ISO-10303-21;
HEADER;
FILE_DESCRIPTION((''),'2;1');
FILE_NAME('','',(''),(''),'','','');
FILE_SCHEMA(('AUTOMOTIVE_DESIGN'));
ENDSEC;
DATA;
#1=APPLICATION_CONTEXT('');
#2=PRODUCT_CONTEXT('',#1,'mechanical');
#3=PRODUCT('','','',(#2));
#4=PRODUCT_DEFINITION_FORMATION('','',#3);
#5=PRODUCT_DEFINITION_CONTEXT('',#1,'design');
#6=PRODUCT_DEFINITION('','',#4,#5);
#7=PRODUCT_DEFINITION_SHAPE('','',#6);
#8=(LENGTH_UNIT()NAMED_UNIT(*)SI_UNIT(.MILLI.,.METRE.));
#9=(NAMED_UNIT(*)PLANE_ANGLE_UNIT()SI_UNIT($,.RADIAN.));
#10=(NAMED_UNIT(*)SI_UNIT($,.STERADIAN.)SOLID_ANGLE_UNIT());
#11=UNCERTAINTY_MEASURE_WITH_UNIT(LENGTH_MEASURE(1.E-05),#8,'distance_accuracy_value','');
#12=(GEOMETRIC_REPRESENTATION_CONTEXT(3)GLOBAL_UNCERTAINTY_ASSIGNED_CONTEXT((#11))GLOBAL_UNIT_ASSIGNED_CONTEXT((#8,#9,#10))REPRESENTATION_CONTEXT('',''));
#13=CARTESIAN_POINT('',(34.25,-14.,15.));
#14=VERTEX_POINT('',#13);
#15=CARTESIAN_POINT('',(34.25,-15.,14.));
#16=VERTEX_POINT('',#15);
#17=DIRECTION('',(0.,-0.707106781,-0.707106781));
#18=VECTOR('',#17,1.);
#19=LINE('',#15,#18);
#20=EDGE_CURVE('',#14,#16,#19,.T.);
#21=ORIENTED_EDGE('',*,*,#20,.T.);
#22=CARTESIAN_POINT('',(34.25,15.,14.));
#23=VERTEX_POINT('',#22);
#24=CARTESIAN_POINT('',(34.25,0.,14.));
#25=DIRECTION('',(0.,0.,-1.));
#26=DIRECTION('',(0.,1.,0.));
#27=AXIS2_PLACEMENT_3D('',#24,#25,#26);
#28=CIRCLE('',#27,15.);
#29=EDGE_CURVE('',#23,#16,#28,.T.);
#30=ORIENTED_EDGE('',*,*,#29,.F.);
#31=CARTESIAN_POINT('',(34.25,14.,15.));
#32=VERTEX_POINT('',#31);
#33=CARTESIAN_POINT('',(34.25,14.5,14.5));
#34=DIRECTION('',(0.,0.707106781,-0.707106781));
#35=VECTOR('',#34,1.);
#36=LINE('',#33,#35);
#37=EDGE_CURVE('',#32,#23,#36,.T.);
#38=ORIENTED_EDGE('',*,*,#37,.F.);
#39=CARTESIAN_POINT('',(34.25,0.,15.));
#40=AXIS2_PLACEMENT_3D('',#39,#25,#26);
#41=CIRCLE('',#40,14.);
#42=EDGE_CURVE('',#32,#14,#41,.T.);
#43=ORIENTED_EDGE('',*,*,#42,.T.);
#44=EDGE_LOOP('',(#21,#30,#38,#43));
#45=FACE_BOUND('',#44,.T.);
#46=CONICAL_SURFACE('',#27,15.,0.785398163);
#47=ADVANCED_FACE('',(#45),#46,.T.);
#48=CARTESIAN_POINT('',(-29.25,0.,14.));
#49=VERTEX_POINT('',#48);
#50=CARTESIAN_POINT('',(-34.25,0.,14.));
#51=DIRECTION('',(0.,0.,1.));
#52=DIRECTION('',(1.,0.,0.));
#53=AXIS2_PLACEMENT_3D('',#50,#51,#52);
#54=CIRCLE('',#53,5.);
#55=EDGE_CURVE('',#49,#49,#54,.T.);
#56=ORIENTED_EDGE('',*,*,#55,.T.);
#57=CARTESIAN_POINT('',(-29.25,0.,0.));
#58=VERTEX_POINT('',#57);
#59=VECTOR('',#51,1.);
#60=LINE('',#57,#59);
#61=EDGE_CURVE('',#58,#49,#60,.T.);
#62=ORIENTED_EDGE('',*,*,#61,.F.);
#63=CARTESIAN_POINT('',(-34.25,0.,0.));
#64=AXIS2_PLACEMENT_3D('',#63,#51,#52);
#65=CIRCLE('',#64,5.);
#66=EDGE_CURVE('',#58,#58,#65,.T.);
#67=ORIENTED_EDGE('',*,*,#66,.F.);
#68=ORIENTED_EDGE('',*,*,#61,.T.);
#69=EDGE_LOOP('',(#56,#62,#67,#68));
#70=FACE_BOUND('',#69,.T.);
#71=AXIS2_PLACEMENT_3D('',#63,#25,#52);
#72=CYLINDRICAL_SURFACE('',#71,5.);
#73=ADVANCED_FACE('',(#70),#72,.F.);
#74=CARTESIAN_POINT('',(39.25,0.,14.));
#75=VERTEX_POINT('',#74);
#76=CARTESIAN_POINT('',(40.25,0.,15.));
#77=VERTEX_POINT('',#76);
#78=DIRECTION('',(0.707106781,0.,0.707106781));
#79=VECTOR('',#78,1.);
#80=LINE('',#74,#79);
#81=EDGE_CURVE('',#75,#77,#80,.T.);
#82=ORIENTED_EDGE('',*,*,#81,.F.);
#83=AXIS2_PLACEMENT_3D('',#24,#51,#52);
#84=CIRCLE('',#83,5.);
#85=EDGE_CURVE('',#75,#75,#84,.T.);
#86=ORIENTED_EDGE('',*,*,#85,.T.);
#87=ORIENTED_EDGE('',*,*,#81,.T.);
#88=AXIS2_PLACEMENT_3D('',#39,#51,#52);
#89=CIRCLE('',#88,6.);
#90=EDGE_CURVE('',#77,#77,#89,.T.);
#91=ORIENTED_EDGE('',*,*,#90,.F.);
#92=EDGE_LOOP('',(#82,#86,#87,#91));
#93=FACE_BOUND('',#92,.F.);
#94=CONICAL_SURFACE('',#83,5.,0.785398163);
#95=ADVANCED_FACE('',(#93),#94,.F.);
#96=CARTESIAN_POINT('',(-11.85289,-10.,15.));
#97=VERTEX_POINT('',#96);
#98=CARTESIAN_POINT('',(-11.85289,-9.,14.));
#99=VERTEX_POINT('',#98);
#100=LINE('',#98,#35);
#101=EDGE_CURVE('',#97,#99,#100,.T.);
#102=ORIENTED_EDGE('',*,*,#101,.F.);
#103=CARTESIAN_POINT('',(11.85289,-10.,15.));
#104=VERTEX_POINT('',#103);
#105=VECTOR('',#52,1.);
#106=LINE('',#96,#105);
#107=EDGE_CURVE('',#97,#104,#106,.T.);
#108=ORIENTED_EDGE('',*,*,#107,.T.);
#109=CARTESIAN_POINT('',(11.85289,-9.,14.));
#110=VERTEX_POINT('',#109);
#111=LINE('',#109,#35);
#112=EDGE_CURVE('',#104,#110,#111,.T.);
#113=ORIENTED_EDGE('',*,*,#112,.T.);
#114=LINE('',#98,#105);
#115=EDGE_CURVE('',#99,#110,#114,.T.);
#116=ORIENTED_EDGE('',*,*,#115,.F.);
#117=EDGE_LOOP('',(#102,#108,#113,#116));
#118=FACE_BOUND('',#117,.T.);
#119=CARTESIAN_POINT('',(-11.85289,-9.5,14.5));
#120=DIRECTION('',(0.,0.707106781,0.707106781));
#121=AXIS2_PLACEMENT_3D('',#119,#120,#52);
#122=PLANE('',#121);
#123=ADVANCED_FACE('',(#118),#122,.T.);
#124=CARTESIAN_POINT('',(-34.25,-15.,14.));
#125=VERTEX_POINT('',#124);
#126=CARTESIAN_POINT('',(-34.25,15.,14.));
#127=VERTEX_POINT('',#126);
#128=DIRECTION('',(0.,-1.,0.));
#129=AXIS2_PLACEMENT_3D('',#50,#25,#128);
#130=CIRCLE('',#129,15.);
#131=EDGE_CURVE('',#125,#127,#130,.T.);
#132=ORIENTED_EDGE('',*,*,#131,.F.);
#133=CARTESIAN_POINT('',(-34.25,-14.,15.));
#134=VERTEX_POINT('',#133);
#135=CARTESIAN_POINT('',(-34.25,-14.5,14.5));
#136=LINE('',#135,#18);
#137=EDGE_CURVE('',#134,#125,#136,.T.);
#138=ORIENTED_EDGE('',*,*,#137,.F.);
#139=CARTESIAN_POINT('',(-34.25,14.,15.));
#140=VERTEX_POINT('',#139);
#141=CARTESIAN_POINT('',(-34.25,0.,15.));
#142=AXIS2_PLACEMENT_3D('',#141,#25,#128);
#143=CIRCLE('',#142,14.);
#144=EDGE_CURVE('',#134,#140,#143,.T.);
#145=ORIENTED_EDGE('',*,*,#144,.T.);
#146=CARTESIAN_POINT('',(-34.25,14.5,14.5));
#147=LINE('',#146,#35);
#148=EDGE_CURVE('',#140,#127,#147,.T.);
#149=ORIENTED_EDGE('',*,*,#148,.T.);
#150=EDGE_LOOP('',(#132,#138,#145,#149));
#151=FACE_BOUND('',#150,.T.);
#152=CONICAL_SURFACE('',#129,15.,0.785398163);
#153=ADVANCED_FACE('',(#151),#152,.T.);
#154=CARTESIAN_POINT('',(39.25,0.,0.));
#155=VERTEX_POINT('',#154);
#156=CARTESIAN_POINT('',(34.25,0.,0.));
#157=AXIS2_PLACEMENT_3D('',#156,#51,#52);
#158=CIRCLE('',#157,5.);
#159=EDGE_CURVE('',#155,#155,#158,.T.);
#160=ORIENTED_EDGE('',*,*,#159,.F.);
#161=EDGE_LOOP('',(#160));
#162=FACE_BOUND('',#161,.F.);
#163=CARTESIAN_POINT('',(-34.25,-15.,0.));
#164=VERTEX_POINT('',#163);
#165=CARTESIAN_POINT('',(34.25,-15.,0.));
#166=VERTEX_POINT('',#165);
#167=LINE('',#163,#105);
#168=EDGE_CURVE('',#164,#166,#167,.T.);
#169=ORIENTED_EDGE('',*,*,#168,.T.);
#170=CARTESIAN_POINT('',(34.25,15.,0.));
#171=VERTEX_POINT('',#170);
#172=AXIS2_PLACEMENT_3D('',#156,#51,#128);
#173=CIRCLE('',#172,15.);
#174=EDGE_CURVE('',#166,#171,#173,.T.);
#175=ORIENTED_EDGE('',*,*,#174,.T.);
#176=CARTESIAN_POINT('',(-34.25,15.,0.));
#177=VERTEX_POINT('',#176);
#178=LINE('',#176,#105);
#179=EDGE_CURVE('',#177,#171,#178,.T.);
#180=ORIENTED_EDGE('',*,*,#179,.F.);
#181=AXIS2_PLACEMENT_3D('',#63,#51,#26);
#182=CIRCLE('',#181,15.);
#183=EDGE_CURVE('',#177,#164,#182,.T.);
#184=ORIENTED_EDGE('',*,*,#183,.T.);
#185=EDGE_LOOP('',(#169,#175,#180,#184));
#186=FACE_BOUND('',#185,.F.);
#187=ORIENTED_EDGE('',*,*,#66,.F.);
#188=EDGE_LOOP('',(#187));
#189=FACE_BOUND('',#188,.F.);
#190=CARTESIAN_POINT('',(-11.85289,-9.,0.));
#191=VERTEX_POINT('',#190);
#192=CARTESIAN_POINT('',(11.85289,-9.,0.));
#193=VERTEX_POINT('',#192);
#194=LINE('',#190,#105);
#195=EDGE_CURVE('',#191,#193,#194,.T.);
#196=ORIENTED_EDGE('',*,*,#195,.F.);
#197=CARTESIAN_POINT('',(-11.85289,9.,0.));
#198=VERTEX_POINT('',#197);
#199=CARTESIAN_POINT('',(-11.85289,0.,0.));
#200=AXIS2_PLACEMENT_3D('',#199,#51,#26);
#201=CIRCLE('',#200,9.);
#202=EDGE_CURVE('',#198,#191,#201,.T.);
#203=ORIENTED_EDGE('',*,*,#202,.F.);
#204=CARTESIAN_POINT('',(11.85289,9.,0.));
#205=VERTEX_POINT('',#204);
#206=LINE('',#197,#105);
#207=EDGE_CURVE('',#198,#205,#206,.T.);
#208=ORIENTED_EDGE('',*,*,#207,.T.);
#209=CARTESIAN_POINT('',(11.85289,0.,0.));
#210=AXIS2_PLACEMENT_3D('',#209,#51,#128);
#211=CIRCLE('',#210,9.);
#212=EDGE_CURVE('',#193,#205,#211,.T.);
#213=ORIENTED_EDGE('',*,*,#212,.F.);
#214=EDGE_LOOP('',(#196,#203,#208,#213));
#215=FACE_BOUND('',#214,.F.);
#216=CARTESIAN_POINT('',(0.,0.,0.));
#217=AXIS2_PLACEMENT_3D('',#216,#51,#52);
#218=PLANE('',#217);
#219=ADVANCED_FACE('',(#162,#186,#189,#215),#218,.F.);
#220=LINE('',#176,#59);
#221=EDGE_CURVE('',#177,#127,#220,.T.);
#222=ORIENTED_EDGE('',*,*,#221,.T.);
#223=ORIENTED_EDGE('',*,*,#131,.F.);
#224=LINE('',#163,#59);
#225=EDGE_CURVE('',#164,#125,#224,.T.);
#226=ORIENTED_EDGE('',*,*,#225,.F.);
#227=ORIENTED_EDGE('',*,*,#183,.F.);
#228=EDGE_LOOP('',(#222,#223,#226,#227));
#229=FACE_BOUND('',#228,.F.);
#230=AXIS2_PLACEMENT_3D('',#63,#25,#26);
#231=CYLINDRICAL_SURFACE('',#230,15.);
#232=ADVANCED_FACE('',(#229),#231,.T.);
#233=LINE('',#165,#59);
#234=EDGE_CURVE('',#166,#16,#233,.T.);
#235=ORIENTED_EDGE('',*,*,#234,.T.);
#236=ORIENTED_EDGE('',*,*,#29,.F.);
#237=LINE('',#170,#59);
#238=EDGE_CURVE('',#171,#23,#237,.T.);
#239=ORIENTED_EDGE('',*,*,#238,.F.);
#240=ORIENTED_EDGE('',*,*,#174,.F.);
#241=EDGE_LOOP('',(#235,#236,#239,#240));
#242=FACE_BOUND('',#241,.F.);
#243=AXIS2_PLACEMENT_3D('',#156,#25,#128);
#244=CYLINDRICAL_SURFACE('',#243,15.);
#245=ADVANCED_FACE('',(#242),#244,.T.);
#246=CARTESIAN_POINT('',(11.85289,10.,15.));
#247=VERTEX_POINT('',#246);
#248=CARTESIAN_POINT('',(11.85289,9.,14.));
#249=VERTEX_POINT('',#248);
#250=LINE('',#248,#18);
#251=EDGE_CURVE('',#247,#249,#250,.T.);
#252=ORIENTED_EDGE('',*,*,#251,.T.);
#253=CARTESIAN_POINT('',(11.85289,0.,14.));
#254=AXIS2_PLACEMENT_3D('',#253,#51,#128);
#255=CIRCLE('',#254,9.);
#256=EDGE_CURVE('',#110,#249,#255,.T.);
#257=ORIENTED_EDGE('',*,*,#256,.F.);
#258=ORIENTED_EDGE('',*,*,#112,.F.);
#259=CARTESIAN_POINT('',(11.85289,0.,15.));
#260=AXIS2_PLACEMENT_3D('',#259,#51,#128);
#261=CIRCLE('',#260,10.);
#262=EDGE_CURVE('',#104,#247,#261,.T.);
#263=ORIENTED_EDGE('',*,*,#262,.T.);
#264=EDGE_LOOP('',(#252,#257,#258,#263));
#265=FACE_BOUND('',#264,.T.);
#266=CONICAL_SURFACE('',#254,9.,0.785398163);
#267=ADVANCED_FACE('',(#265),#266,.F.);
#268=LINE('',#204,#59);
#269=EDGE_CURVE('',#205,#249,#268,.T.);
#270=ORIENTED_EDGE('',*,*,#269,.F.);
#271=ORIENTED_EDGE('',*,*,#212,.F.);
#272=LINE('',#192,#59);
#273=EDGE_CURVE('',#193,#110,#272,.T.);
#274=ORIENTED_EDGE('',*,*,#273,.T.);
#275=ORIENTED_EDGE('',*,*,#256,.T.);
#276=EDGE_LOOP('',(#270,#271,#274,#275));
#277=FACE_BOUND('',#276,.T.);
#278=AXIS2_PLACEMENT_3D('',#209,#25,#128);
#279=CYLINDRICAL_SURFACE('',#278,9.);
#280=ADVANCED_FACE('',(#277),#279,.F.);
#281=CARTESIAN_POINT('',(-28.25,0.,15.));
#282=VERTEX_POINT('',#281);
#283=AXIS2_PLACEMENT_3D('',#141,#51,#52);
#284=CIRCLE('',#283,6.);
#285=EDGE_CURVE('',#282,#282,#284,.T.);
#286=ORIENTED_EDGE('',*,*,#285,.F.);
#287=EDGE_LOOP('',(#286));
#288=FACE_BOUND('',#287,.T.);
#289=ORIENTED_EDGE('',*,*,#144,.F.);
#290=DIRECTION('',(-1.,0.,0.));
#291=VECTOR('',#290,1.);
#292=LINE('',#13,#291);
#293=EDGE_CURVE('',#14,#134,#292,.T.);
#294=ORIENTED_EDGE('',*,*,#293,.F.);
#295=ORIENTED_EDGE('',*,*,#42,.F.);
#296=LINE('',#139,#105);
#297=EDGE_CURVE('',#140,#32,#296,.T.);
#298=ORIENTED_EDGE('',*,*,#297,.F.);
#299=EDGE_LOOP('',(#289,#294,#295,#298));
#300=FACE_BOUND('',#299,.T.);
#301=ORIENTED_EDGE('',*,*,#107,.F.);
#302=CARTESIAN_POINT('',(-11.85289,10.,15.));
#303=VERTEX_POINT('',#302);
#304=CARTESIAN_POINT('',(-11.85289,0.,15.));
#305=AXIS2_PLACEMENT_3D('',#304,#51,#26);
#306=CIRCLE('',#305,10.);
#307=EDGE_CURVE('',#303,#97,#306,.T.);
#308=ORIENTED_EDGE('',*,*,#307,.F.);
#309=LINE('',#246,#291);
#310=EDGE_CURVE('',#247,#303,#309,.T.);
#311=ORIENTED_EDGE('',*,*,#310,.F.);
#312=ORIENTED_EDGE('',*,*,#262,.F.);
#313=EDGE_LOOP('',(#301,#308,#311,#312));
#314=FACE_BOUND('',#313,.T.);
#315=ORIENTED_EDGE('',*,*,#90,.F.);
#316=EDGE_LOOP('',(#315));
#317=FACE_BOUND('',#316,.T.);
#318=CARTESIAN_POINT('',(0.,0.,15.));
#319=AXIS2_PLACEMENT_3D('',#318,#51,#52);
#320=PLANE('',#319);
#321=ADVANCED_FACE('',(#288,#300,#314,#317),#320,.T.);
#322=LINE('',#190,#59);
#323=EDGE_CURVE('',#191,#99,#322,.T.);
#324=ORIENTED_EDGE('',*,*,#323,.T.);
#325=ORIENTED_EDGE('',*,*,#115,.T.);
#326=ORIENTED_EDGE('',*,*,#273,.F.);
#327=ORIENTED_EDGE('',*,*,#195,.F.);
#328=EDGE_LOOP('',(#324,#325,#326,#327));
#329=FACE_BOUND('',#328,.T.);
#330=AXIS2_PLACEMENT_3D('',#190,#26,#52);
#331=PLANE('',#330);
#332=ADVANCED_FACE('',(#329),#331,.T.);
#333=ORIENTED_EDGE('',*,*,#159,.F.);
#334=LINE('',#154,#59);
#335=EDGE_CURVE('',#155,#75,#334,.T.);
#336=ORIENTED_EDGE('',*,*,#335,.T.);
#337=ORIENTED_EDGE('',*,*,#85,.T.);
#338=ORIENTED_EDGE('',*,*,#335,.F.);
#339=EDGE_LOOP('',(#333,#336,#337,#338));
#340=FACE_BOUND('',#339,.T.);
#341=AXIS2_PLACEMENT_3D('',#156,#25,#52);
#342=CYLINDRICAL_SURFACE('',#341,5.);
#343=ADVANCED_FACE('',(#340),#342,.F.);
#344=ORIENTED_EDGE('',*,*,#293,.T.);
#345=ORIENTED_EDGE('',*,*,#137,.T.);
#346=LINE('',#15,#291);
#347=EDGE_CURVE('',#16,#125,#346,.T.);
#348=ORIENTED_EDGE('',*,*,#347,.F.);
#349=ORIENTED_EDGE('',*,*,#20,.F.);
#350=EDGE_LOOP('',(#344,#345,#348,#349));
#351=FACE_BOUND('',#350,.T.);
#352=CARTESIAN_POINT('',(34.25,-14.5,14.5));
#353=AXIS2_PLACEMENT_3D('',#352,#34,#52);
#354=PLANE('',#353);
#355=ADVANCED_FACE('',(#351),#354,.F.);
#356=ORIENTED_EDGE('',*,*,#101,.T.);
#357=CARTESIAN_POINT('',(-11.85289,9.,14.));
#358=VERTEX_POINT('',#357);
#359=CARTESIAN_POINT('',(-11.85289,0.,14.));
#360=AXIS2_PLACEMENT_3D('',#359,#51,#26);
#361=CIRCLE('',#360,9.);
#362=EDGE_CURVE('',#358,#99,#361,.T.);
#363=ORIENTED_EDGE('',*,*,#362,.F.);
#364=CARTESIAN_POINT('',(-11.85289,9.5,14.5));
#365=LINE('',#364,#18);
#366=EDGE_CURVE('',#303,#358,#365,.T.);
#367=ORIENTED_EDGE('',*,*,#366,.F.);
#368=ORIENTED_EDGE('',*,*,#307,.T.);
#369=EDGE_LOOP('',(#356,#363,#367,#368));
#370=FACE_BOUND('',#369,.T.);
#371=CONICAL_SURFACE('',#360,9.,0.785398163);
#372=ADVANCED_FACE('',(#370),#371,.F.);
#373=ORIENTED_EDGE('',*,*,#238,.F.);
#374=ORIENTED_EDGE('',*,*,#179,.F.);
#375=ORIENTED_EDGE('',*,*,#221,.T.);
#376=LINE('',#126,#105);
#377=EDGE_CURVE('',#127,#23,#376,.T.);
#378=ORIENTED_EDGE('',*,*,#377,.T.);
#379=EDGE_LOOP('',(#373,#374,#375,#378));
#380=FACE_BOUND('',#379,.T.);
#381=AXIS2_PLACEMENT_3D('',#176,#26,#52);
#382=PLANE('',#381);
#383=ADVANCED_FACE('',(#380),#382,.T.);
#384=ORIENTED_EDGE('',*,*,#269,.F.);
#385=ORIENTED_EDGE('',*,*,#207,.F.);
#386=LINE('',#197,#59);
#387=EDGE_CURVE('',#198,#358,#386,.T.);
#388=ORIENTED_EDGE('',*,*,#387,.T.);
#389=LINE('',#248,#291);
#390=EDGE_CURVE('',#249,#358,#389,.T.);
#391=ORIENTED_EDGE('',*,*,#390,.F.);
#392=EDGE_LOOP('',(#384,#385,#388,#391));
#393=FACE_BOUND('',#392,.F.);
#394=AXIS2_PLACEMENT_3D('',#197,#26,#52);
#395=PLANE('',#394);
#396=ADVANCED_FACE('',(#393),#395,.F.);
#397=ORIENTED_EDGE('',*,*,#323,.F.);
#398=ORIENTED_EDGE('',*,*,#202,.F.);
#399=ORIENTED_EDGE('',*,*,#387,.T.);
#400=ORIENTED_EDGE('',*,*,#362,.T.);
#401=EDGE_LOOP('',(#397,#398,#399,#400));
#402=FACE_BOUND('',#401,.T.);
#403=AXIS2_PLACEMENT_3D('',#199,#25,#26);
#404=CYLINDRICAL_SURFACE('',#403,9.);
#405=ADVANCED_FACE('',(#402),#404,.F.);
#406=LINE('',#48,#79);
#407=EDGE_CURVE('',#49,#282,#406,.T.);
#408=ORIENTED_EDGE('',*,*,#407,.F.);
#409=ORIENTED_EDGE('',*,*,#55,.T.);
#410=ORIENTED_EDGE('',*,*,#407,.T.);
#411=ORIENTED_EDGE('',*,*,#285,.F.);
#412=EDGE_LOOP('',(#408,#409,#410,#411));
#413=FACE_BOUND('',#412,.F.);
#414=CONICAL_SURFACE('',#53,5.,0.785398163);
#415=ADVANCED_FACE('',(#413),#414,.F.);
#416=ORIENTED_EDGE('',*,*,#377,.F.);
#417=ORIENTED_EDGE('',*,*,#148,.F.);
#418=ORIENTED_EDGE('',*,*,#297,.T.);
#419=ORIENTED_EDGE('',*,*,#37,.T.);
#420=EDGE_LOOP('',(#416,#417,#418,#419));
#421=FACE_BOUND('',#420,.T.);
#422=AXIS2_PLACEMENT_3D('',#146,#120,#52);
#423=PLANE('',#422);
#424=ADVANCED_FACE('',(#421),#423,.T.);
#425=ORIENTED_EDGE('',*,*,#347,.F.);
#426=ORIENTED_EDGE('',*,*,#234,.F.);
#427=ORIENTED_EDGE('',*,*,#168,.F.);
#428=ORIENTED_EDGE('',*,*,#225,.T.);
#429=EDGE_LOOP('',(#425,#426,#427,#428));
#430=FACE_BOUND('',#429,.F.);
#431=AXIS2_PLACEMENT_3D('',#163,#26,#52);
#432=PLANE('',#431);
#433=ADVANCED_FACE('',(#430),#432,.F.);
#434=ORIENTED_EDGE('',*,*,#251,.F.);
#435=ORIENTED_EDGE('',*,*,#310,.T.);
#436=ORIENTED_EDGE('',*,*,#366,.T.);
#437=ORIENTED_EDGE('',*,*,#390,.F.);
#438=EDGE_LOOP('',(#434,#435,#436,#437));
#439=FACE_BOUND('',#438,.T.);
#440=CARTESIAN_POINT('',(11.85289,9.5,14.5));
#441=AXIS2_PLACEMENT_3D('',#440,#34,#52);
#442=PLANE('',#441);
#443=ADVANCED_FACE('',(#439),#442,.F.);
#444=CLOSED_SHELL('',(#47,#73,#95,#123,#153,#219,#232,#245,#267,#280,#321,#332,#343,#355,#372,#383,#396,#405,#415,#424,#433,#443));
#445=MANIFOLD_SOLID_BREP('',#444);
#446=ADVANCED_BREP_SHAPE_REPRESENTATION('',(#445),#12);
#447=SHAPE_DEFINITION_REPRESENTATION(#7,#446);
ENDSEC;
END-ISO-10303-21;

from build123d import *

# Parameters (mm, degrees)
SKETCH_R        = 5
PAD_DEPTH       = 15
CHAMFER_SIZE    = 1
CHAMFER001_SIZE = 1
CHAMFER002_SIZE = 1


with BuildPart() as part:
    # Sketch → Pad (new body)
    with BuildSketch(Plane.XY):
        with BuildLine():
            ThreePointArc((-34.25, 15), (-49.25, 0), (-34.25, -15))
            Line((-34.25, -15), (34.25, -15))
            ThreePointArc((34.25, -15), (49.25, 0), (34.25, 15))
            Line((-34.25, 15), (34.25, 15))
        make_face()
        with Locations((-34.25, 0)):
            Circle(SKETCH_R, mode=Mode.SUBTRACT)
        with Locations((34.25, 0)):
            Circle(SKETCH_R, mode=Mode.SUBTRACT)
        with BuildLine():
            ThreePointArc((-11.85289, 9), (-20.85289, 0), (-11.85289, -9))
            Line((-11.85289, -9), (11.85289, -9))
            ThreePointArc((11.85289, -9), (20.85289, 0), (11.85289, 9))
            Line((-11.85289, 9), (11.85289, 9))
        make_face(mode=Mode.SUBTRACT)
    extrude(amount=PAD_DEPTH)

    # Chamfer
    chamfer_edges = [part.edges().sort_by_distance(p)[0] for p in [
        (-39.25, 0, 15),
        (29.25, 0, 15),
    ]]
    chamfer(chamfer_edges, length=CHAMFER_SIZE)

    # Chamfer001
    chamfer001_edges = [part.edges().sort_by_distance(p)[0] for p in [
        (0, 15, 15),
        (49.25, 0, 15),
        (0, -15, 15),
        (-49.25, 0, 15),
    ]]
    chamfer(chamfer001_edges, length=CHAMFER001_SIZE)

    # Chamfer002
    chamfer002_edges = [part.edges().sort_by_distance(p)[0] for p in [
        (20.85289, 0, 15),
        (0, -9, 15),
        (-20.85289, 0, 15),
        (0, 9, 15),
    ]]
    chamfer(chamfer002_edges, length=CHAMFER002_SIZE)


solid = part.part
